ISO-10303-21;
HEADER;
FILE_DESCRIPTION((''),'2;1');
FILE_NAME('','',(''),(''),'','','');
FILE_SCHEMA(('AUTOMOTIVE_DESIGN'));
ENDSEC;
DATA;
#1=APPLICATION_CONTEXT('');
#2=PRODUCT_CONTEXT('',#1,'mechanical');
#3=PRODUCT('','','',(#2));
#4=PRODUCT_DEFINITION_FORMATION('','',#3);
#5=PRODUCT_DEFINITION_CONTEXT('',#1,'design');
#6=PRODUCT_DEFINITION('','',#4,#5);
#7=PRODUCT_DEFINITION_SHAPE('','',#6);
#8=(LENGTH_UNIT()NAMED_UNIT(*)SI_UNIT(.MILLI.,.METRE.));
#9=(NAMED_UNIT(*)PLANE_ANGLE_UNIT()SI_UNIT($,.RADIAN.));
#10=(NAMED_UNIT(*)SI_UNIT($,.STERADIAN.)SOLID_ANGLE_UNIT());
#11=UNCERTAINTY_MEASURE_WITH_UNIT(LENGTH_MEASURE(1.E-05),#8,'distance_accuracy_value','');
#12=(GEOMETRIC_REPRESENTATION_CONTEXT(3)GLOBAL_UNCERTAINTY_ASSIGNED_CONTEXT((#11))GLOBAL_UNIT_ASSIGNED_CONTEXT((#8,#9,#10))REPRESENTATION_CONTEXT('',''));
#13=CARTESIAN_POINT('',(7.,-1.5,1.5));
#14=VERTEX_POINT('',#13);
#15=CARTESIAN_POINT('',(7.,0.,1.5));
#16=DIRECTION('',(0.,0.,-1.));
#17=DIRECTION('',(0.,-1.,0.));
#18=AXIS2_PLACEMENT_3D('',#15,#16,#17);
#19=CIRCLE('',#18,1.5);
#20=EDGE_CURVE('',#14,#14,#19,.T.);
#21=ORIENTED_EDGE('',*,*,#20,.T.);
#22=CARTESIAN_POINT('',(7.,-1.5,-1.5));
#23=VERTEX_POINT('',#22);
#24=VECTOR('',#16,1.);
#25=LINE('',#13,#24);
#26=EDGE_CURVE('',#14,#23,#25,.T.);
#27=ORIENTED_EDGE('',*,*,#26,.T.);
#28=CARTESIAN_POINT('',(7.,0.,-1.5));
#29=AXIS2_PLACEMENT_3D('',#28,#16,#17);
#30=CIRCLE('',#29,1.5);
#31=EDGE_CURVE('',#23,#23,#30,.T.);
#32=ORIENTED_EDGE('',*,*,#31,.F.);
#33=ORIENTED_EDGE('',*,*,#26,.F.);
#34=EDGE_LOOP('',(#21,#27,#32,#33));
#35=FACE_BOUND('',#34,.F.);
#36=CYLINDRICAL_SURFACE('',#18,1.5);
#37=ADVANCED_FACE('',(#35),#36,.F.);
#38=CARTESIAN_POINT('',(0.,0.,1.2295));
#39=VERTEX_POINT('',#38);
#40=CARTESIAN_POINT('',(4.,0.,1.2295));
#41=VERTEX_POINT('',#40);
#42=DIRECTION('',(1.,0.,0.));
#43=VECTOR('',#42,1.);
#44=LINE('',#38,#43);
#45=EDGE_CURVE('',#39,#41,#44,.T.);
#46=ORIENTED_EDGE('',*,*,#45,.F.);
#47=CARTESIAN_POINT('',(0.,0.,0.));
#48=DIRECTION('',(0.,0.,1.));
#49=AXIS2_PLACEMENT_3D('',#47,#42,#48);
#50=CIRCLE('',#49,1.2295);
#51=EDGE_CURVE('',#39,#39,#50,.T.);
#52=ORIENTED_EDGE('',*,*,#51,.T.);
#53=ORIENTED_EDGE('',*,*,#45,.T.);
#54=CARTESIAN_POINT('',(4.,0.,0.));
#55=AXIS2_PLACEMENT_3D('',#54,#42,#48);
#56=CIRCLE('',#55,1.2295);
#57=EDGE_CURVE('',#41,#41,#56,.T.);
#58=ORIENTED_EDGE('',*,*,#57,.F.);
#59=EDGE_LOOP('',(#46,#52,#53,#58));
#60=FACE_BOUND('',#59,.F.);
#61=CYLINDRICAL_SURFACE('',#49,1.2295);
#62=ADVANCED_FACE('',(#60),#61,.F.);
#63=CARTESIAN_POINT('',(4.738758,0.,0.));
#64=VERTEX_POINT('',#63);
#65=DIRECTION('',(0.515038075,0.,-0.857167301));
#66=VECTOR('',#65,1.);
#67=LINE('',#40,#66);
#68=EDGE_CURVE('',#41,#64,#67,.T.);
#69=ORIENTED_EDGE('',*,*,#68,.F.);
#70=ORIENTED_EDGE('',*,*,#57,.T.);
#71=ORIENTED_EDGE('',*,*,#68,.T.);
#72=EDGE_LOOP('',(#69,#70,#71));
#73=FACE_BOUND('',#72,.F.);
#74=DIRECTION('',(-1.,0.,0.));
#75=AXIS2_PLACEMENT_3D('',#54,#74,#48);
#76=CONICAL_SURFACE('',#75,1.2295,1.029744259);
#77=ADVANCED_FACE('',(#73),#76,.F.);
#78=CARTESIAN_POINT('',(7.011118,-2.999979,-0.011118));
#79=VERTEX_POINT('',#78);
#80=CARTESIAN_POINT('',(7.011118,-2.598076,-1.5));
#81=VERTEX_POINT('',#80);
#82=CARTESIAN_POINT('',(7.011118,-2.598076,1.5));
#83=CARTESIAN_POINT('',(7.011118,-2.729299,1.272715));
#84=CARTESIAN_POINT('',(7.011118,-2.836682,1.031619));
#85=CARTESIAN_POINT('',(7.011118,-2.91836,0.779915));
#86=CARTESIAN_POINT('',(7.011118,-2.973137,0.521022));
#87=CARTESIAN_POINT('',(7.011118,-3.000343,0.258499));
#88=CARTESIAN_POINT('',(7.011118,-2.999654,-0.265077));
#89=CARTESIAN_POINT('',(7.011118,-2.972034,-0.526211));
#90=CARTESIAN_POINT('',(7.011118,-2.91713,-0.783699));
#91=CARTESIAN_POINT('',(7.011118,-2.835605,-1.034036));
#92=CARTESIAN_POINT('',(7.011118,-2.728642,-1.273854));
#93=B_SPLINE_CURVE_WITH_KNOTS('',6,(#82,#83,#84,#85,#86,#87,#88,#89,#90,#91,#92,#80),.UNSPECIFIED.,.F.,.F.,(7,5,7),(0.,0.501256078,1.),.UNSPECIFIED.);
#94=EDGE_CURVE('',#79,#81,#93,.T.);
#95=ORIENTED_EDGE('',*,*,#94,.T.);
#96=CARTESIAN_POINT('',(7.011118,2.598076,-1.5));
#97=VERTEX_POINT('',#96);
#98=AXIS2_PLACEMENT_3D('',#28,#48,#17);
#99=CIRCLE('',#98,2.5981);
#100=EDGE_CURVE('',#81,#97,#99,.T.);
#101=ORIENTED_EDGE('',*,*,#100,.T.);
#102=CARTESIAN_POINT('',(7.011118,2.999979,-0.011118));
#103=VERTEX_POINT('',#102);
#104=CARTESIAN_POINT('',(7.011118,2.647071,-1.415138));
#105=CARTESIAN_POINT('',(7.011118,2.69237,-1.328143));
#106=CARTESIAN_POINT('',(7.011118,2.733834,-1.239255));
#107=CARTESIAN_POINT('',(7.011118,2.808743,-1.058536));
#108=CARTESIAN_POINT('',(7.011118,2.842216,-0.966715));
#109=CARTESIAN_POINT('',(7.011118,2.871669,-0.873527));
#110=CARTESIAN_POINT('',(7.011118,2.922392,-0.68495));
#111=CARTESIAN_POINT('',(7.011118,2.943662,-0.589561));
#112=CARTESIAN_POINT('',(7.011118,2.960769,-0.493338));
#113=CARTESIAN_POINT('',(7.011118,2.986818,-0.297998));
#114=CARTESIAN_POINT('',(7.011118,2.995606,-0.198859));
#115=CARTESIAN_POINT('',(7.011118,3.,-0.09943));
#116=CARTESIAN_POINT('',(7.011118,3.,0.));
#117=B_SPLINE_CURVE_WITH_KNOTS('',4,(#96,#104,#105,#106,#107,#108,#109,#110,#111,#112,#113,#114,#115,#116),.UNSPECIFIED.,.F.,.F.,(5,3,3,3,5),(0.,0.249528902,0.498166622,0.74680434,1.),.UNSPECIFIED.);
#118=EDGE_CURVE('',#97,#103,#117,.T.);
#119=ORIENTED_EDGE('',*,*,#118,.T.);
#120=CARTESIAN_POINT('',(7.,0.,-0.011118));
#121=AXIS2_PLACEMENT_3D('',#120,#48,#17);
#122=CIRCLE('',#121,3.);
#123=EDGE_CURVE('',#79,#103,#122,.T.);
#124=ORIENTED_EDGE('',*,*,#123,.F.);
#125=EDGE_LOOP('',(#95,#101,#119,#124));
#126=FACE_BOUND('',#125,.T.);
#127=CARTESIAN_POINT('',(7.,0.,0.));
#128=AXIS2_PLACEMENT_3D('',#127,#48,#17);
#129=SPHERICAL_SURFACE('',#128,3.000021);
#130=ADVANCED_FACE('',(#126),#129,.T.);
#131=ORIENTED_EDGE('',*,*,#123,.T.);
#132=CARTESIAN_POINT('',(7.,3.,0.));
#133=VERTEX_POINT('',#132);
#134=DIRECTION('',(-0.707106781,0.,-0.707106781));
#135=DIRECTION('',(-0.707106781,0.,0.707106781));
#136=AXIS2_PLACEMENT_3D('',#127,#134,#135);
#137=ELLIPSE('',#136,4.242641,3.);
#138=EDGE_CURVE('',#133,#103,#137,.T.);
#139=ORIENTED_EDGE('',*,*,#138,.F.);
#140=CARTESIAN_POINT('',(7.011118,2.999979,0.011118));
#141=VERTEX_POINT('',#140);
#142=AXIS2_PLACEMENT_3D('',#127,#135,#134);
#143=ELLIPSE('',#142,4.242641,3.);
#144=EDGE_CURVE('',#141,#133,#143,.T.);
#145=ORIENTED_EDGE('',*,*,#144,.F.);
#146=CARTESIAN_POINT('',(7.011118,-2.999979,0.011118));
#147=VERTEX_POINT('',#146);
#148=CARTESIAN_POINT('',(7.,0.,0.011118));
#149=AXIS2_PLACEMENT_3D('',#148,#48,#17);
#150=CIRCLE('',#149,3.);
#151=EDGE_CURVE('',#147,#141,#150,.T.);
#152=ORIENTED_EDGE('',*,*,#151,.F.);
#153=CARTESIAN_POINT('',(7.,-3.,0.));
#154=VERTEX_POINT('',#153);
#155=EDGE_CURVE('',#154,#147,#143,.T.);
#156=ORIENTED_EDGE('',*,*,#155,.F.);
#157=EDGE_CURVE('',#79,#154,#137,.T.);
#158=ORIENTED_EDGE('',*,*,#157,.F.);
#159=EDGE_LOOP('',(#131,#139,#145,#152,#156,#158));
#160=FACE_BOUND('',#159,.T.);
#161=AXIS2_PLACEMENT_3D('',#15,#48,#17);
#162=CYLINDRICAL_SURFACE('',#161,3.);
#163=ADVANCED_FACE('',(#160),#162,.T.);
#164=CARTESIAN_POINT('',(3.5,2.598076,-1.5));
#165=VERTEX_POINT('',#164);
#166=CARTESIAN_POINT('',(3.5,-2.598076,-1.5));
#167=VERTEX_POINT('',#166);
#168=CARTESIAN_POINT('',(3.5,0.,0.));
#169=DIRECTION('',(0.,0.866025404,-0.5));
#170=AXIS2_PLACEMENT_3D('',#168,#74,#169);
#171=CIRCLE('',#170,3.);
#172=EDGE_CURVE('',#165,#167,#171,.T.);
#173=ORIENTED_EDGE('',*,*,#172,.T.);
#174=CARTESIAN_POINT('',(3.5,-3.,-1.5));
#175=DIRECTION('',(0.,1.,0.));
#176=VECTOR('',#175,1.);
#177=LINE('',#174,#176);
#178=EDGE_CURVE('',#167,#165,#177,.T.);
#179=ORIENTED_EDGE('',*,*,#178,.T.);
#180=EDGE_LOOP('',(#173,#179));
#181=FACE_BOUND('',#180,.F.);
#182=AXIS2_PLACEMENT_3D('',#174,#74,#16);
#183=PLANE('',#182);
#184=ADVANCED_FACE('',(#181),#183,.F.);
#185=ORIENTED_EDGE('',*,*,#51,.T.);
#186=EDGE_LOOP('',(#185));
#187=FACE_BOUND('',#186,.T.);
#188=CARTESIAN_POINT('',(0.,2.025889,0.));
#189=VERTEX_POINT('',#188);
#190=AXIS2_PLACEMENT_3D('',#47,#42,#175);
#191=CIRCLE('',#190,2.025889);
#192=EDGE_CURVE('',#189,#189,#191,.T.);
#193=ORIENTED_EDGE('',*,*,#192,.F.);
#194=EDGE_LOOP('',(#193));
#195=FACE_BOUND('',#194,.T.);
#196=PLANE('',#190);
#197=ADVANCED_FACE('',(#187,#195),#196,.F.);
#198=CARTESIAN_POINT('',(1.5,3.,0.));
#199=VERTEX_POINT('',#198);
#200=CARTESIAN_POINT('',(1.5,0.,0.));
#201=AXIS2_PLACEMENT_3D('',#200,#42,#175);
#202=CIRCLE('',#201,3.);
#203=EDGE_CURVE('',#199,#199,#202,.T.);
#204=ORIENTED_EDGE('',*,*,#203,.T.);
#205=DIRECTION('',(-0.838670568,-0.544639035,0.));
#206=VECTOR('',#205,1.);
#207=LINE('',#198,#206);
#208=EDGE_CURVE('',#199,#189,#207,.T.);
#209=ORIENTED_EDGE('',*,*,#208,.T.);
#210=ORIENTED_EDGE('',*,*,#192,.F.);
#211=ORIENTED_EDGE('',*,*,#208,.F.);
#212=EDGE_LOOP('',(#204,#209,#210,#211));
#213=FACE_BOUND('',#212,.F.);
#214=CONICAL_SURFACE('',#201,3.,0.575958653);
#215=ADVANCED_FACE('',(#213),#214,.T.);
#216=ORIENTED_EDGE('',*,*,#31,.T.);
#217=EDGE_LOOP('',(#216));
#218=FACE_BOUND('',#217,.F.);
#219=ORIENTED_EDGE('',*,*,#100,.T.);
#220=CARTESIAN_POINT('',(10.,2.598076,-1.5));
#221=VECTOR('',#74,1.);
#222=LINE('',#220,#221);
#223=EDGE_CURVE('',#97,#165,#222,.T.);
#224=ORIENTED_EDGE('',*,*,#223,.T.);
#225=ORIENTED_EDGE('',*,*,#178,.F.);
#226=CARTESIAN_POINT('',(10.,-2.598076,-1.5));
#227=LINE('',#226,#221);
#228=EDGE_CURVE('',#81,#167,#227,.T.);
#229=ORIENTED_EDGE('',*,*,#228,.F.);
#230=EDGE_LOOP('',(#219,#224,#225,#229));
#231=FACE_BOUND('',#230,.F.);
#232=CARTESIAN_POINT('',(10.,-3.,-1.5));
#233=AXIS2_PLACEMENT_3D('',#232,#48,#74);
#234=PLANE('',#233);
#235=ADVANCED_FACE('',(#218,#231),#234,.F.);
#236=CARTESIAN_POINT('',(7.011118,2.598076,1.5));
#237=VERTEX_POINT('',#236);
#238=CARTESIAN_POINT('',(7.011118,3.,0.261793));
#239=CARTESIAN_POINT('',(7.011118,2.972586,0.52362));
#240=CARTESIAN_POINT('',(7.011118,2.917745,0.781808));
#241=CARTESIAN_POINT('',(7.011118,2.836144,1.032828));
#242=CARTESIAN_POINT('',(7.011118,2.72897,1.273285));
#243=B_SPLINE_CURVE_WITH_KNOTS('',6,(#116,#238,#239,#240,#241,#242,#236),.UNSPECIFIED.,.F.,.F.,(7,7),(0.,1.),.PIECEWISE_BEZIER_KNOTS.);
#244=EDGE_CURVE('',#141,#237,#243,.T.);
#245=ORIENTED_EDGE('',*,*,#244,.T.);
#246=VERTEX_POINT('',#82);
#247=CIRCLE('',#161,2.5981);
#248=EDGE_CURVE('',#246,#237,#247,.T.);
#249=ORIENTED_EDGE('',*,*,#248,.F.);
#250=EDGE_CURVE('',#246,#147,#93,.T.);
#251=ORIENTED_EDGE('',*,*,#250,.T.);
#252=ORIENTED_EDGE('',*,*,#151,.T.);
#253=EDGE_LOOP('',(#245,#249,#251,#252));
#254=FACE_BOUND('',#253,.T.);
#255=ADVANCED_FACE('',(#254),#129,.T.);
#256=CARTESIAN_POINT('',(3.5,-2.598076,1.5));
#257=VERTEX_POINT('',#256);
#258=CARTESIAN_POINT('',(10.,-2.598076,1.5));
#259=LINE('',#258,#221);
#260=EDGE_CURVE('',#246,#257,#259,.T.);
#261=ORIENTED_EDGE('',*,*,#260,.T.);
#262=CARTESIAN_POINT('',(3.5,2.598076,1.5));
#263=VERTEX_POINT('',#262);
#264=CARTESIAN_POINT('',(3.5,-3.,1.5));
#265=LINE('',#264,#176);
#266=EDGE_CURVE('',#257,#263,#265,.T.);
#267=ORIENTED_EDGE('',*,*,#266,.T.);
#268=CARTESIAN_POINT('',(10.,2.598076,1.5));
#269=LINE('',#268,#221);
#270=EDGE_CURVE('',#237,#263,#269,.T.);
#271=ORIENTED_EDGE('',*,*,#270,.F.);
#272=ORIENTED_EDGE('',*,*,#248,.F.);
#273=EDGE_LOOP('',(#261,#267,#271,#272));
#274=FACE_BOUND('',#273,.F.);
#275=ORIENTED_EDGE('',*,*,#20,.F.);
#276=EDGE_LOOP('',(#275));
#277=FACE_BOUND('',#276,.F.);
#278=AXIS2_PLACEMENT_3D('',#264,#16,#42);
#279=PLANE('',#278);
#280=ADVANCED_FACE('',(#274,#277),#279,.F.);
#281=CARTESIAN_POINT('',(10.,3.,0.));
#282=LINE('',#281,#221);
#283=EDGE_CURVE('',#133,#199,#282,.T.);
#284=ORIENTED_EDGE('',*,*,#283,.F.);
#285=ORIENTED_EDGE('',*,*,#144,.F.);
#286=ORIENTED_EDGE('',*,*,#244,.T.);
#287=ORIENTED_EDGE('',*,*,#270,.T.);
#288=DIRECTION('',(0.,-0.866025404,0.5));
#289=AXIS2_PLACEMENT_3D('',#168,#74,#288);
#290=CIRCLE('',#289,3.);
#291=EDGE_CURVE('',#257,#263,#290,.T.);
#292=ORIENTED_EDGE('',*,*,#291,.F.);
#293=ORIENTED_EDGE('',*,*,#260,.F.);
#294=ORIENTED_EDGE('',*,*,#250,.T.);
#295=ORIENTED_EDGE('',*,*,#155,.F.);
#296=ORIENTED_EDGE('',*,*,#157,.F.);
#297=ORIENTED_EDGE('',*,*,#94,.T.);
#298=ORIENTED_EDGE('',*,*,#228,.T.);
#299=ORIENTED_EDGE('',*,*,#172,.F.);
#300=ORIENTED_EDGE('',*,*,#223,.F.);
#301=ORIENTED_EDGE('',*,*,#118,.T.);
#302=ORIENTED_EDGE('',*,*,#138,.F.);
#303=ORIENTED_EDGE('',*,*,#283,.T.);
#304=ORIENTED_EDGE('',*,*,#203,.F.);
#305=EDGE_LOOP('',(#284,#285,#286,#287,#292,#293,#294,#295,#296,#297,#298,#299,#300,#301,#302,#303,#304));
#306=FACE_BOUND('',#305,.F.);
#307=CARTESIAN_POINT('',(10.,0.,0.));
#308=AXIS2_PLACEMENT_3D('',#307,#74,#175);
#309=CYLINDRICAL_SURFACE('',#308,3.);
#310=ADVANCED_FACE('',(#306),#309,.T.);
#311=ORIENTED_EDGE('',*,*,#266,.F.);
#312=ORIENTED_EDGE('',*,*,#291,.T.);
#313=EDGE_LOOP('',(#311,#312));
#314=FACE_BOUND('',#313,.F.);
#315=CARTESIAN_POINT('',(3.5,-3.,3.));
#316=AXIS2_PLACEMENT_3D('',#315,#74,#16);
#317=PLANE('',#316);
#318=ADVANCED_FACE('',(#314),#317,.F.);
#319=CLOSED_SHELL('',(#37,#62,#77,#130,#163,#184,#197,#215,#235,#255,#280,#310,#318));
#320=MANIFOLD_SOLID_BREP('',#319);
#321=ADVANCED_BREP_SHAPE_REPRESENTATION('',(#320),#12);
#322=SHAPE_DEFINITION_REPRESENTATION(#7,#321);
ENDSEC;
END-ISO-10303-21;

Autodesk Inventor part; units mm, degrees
ref_plane "YZ Plane" through (0, 0, 0) normal (1, 0, 0) x (0, 1, 0)
ref_plane "XY Plane" through (0, 0, 0) normal (0, 0, 1) x (1, 0, 0)
sketch "Skizze1" plane through (0, 0, 0) normal (0, 0, 1) x (1, 0, 0)
  line L0 (0, -0.6) -> (0, 3.6) projected
  line L1 (-2, 0) -> (12, 0) projected
  line L2 (0, 0) -> (10, 0)
  line L3 (10, 0) -> (10, 3)
  line L4 (10, 3) -> (0, 3)
  line L5 (0, 3) -> (0, 0)
  dimension "d1" = 10
  dimension "d2" = 6
revolve "Umdrehung1" add sketch "Skizze1" angle 360 about axis through (-10, 0, 0) along (1, 0, 0)
ref_plane "Arbeitsebene1" through (5, -3, 0) normal (0, 1, 0) x (-1, 0, 0)
sketch "Skizze2" plane through (5, -3, 0) normal (0, 1, 0) x (-1, 0, 0)
  line L0 (5, 3) -> (5, -3) projected
  line L1 (-5, 3) -> (-5, -3) projected
  line L2 (5, -3) -> (-5, -3) projected
  line L3 (5, 3) -> (-5, 3) projected
  line L4 (1.5, 3) -> (1.5, 1.5)
  line L5 (1.5, 1.5) -> (-5, 1.5)
  line L6 (-5, -1.5) -> (1.5, -1.5)
  line L7 (1.5, -1.5) -> (1.5, -3)
  line L8 (-5, 1.5) -> (-5, 3)
  line L9 (-5, 3) -> (1.5, 3)
  line L10 (-5, 3) -> (-5, -3) projected
  line L11 (-5, -1.5) -> (-5, -3)
  line L12 (-5, -3) -> (1.5, -3)
  dimension "d4" = 1.5
  dimension "d5" = 1.5
  dimension "d6" = 3.5
extrude "Extrusion1" cut sketch "Skizze2" along normal through all contours L4 L5 L1 L3 | L2 L1 L6 L7
chamfer "Fase1" distance 1.5 angle 33 1 edges at (0, -3, 0) measured on face at (4.5, -2.8079, -1.0563)
sketch "Skizze3" plane through (3.5, 2.5981, 1.5) normal (0, 0, 1) x (1, 0, 0)
  line L0 (6.5, 0) -> (6.5, -5.1962) construction
  arc A0 (3.5, -5.5981) -> (3.5, 0.4019) centre (3.5, -2.5981) ccw
  line L1 (6.5, 0) -> (6.5, 0.4019) projected
  line L2 (3.5, 0.4019) -> (7.092, 0.4019)
  line L3 (-2, 0.4019) -> (6.5, 0.4019) projected
  line L4 (7.092, 0.4019) -> (7.092, -5.5981)
  line L5 (7.092, -5.5981) -> (3.5, -5.5981)
  line L6 (-5.6184, -5.5981) -> (9.2105, -5.5981) projected
  point P0 (-3.5, -2.5981)
  point P1 (6.5, -5.5981)
  dimension "d13" = 3
  dimension "d14" = 3.592
extrude "Extrusion2" cut sketch "Skizze3" against normal through all
sketch "Skizze4" plane through (3.5, -2.5981, 1.5) normal (0, 0, 1) x (1, 0, 0)
  arc A0 (5, 0) -> (5, 5.1962) centre (3.5, 2.5981) ccw projected
  point P0 (-3.5, 2.5981)
hole "Bohrung1" at (7, 0, 1.5) at (7, 0, 1.5) direction (0, 0, -1) diameter 3 depth 3 tip angle 118
sketch "Skizze7" plane through (0, 0, 0) normal (-1, 0, 0) x (0, 0, 1)
  arc A0 (1.5, 2.5981) -> (-1.5, 2.5981) centre (0, 0) ccw
  circle A1 centre (0, 0) radius 3 construction
  line L0 (-1.5, 2.5981) -> (-1.5, 4)
  line L1 (-1.5, 4) -> (1.5, 4)
  line L2 (1.5, 4) -> (1.5, 2.5981)
  line L3 (0, -4.5424) -> (0, 5.5632) projected
  dimension "d25" = 1.5
  dimension "d26" = 3
  dimension "d27" = 4
sketch "Skizze8" plane through (3.5, -2.5981, 1.5) normal (0, 0, 1) x (1, 0, 0)
  line L0 (-2, 5.5981) -> (3.5, 5.5981) projected
  line L1 (3.5, 5.5981) -> (-3.5, 5.5981)
  arc A0 (5, 0) -> (5, 5.1962) centre (3.5, 2.5981) ccw projected
  arc A1 (3.5, -0.4019) -> (3.5, 5.5981) centre (3.5, 2.5981) ccw
  line L2 (-2, -0.4019) -> (3.5, -0.4019) projected
  line L3 (3.5, -0.4019) -> (-2.8962, -0.4019)
  point P0 (-3.5, 2.5981)
sweep "Sweeping2" cut profiles "Skizze7" path "Skizze8" path curves L1 A1 L3
sketch "Skizze9" plane through (0, 0, 0) normal (-1, 0, 0) x (0, 0, 1)
  point P0 (0, 0)
  point P1 (0, 0)
hole "Bohrung2" at (0, 0, 0) direction (1, 0, 0) diameter 2.459 depth 4 tip angle 118
properties part number "Stangenkopf"
